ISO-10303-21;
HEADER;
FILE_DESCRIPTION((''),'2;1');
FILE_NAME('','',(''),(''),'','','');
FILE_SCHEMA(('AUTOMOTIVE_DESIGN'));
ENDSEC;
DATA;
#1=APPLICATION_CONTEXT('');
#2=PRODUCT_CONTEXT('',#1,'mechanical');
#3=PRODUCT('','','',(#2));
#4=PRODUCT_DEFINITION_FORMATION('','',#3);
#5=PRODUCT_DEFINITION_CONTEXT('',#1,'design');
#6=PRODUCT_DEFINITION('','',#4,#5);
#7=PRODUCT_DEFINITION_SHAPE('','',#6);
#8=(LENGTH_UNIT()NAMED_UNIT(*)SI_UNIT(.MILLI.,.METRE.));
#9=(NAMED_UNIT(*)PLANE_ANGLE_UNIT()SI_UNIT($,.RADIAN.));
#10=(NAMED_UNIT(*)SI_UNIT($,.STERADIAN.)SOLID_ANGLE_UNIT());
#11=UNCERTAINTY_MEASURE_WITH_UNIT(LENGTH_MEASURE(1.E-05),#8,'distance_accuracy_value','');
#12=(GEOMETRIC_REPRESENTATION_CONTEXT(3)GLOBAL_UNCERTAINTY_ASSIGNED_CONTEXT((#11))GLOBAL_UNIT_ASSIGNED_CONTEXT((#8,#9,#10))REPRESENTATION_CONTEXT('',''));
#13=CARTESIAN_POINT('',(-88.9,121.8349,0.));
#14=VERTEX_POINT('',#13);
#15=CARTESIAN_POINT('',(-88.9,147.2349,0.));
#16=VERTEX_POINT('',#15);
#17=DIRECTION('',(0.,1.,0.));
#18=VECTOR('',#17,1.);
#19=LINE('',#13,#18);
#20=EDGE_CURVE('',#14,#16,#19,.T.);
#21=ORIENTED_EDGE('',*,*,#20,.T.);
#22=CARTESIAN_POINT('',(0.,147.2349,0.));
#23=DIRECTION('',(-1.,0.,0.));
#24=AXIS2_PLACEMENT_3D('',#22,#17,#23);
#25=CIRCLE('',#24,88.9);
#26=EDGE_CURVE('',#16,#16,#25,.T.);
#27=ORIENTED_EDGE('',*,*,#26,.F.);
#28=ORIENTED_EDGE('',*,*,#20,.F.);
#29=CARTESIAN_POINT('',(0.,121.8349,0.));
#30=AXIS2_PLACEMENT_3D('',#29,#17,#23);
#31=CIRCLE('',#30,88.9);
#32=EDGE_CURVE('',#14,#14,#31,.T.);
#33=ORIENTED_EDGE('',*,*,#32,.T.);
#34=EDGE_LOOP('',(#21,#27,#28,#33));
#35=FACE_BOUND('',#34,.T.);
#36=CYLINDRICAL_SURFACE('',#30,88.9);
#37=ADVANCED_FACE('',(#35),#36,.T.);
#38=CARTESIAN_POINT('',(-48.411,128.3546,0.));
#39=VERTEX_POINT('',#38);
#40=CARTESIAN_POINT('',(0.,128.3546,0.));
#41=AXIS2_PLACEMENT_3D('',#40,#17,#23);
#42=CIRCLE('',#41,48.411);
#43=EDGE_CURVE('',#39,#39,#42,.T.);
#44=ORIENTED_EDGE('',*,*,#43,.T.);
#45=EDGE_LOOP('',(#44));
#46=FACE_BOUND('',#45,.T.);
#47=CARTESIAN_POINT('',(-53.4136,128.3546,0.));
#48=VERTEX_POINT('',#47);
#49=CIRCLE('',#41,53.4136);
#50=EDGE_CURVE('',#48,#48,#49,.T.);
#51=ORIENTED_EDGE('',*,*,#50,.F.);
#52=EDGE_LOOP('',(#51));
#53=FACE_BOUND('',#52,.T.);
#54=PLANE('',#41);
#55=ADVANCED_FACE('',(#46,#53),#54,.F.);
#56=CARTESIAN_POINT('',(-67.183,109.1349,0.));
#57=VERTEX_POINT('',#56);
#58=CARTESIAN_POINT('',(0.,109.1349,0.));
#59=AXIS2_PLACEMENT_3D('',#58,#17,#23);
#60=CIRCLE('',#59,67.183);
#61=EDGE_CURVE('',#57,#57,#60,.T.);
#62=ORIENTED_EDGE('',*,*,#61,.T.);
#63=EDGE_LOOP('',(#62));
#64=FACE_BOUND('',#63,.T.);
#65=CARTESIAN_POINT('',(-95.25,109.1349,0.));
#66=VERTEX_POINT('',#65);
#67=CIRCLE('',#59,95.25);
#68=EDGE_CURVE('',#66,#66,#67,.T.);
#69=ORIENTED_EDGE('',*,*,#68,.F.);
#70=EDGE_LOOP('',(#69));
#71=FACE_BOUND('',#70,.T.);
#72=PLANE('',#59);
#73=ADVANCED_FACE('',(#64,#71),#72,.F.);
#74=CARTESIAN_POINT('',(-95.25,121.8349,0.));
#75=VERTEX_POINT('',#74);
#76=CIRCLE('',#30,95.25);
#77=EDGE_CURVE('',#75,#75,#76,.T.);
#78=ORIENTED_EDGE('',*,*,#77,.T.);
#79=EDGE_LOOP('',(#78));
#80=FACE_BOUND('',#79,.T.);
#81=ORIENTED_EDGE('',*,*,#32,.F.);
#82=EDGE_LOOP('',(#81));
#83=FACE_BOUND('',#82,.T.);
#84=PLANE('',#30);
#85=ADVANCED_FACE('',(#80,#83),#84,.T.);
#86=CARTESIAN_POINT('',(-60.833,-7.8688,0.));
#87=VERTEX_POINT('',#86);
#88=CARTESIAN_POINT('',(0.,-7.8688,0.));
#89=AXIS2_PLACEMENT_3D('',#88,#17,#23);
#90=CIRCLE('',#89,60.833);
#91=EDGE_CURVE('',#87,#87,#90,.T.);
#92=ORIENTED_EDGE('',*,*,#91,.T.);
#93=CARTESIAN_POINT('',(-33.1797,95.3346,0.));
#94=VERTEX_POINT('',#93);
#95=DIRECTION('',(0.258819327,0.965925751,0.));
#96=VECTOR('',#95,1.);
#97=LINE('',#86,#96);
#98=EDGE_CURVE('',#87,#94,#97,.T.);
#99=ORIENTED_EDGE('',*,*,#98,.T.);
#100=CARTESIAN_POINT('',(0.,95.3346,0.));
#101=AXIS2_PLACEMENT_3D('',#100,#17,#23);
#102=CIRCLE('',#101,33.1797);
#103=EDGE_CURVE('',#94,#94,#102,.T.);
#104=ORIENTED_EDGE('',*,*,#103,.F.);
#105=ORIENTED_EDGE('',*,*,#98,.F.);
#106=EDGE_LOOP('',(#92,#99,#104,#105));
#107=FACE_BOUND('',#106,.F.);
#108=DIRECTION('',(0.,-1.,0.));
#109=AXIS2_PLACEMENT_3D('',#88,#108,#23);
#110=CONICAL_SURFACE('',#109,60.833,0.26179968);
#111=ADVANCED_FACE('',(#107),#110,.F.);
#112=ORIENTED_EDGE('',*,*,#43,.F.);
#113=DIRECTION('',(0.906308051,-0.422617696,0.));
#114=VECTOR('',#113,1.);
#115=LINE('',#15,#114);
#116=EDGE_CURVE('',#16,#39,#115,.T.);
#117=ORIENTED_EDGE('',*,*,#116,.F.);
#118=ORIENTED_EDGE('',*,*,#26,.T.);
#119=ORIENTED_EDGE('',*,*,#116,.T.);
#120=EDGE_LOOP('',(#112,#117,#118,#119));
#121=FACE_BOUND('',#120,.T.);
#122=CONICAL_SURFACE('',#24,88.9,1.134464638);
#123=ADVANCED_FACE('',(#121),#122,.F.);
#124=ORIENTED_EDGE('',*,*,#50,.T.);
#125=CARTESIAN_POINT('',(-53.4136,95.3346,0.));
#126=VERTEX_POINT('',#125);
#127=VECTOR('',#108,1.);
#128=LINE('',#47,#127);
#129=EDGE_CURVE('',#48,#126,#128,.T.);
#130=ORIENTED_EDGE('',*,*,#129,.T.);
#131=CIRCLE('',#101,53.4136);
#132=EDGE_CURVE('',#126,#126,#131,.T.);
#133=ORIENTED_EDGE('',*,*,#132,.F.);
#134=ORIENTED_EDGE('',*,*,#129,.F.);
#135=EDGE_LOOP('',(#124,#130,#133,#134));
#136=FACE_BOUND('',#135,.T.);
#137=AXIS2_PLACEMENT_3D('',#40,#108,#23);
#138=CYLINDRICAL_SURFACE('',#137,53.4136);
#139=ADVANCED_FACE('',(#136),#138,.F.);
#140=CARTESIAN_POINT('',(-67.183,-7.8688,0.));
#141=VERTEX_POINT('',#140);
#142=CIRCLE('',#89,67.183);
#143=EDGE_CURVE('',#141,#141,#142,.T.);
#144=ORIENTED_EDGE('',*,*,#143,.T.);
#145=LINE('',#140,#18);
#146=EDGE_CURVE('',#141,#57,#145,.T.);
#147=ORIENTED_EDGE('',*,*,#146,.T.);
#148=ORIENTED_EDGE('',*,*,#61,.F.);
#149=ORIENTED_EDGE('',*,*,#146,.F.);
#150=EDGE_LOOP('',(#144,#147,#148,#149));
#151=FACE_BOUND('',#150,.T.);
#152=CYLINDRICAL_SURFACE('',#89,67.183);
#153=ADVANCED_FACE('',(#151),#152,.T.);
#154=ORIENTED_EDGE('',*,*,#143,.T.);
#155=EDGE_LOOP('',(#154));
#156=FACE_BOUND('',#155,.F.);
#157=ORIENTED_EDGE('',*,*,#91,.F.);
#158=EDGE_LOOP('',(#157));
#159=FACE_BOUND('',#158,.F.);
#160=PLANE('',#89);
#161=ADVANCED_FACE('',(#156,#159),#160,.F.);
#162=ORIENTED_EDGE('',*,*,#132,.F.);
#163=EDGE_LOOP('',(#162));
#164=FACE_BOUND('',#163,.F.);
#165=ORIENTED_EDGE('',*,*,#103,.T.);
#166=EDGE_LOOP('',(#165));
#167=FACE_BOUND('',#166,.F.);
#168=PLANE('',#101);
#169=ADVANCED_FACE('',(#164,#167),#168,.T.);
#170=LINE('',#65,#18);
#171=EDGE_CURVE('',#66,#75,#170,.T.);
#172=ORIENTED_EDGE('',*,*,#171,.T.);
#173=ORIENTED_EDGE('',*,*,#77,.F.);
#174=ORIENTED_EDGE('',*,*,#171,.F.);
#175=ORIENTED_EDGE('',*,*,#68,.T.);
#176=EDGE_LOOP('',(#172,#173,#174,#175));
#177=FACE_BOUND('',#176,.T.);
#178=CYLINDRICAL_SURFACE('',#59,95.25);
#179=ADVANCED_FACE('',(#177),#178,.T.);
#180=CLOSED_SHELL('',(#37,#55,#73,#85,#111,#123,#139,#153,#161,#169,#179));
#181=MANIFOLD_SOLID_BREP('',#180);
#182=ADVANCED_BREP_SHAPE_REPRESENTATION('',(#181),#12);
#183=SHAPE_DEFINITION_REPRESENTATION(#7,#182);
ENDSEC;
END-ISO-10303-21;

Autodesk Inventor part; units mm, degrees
ref_plane "YZ Plane" through (0, 0, 0) normal (1, 0, 0) x (0, 1, 0)
ref_plane "XZ Plane" through (0, 0, 0) normal (0, 1, 0) x (-1, 0, 0)
ref_plane "XY Plane" through (0, 0, 0) normal (0, 0, 1) x (1, 0, 0)
sketch "Sketch1" plane through (0, 0, 0) normal (0, 0, 1) x (1, 0, 0)
  line L0 (-67.183, -7.8688) -> (-67.183, 109.1349)
  line L1 (-67.183, -7.8688) -> (-60.833, -7.8688)
  line L2 (-67.183, 109.1349) -> (-95.25, 109.1349)
  line L3 (-95.25, 109.1349) -> (-95.25, 121.8349)
  line L4 (-95.25, 121.8349) -> (-88.9, 121.8349)
  line L5 (-88.9, 121.8349) -> (-88.9, 147.2349)
  line L6 (-88.9, 147.2349) -> (-38.3236, 147.2349) construction
  line L7 (-60.833, -7.8688) -> (-33.1797, 95.3346)
  line L8 (-33.1797, 95.3346) -> (-53.4136, 95.3346)
  line L9 (0, -38.8896) -> (0, 178.2557) projected
  line L10 (-88.9, 147.2349) -> (-48.411, 128.3546)
  line L11 (-48.411, 128.3546) -> (-53.4136, 128.3546)
  line L12 (-53.4136, 128.3546) -> (-53.4136, 95.3346)
  point P0 (0, 0)
  dimension "d0" = 6.35
  dimension "d1" = 60.833
  dimension "d4" = 12.7
  dimension "d5" = 28.067
  dimension "d6" = 25.4
  dimension "d9" = 6.35
  dimension "d10" = 105
  dimension "d16" = 20.2339
  dimension "d17" = 25
  dimension "d18" = 5.0026
  dimension "d19" = 33.02
  dimension "d20" = 33.1797
  dimension "d21" = 95.25
  dimension "d22" = 117.0038
revolve "Revolution1" add sketch "Sketch1" angle 360 about axis through (0, -10, 0) along (0, 1, 0)
properties part number "Phenlic"
